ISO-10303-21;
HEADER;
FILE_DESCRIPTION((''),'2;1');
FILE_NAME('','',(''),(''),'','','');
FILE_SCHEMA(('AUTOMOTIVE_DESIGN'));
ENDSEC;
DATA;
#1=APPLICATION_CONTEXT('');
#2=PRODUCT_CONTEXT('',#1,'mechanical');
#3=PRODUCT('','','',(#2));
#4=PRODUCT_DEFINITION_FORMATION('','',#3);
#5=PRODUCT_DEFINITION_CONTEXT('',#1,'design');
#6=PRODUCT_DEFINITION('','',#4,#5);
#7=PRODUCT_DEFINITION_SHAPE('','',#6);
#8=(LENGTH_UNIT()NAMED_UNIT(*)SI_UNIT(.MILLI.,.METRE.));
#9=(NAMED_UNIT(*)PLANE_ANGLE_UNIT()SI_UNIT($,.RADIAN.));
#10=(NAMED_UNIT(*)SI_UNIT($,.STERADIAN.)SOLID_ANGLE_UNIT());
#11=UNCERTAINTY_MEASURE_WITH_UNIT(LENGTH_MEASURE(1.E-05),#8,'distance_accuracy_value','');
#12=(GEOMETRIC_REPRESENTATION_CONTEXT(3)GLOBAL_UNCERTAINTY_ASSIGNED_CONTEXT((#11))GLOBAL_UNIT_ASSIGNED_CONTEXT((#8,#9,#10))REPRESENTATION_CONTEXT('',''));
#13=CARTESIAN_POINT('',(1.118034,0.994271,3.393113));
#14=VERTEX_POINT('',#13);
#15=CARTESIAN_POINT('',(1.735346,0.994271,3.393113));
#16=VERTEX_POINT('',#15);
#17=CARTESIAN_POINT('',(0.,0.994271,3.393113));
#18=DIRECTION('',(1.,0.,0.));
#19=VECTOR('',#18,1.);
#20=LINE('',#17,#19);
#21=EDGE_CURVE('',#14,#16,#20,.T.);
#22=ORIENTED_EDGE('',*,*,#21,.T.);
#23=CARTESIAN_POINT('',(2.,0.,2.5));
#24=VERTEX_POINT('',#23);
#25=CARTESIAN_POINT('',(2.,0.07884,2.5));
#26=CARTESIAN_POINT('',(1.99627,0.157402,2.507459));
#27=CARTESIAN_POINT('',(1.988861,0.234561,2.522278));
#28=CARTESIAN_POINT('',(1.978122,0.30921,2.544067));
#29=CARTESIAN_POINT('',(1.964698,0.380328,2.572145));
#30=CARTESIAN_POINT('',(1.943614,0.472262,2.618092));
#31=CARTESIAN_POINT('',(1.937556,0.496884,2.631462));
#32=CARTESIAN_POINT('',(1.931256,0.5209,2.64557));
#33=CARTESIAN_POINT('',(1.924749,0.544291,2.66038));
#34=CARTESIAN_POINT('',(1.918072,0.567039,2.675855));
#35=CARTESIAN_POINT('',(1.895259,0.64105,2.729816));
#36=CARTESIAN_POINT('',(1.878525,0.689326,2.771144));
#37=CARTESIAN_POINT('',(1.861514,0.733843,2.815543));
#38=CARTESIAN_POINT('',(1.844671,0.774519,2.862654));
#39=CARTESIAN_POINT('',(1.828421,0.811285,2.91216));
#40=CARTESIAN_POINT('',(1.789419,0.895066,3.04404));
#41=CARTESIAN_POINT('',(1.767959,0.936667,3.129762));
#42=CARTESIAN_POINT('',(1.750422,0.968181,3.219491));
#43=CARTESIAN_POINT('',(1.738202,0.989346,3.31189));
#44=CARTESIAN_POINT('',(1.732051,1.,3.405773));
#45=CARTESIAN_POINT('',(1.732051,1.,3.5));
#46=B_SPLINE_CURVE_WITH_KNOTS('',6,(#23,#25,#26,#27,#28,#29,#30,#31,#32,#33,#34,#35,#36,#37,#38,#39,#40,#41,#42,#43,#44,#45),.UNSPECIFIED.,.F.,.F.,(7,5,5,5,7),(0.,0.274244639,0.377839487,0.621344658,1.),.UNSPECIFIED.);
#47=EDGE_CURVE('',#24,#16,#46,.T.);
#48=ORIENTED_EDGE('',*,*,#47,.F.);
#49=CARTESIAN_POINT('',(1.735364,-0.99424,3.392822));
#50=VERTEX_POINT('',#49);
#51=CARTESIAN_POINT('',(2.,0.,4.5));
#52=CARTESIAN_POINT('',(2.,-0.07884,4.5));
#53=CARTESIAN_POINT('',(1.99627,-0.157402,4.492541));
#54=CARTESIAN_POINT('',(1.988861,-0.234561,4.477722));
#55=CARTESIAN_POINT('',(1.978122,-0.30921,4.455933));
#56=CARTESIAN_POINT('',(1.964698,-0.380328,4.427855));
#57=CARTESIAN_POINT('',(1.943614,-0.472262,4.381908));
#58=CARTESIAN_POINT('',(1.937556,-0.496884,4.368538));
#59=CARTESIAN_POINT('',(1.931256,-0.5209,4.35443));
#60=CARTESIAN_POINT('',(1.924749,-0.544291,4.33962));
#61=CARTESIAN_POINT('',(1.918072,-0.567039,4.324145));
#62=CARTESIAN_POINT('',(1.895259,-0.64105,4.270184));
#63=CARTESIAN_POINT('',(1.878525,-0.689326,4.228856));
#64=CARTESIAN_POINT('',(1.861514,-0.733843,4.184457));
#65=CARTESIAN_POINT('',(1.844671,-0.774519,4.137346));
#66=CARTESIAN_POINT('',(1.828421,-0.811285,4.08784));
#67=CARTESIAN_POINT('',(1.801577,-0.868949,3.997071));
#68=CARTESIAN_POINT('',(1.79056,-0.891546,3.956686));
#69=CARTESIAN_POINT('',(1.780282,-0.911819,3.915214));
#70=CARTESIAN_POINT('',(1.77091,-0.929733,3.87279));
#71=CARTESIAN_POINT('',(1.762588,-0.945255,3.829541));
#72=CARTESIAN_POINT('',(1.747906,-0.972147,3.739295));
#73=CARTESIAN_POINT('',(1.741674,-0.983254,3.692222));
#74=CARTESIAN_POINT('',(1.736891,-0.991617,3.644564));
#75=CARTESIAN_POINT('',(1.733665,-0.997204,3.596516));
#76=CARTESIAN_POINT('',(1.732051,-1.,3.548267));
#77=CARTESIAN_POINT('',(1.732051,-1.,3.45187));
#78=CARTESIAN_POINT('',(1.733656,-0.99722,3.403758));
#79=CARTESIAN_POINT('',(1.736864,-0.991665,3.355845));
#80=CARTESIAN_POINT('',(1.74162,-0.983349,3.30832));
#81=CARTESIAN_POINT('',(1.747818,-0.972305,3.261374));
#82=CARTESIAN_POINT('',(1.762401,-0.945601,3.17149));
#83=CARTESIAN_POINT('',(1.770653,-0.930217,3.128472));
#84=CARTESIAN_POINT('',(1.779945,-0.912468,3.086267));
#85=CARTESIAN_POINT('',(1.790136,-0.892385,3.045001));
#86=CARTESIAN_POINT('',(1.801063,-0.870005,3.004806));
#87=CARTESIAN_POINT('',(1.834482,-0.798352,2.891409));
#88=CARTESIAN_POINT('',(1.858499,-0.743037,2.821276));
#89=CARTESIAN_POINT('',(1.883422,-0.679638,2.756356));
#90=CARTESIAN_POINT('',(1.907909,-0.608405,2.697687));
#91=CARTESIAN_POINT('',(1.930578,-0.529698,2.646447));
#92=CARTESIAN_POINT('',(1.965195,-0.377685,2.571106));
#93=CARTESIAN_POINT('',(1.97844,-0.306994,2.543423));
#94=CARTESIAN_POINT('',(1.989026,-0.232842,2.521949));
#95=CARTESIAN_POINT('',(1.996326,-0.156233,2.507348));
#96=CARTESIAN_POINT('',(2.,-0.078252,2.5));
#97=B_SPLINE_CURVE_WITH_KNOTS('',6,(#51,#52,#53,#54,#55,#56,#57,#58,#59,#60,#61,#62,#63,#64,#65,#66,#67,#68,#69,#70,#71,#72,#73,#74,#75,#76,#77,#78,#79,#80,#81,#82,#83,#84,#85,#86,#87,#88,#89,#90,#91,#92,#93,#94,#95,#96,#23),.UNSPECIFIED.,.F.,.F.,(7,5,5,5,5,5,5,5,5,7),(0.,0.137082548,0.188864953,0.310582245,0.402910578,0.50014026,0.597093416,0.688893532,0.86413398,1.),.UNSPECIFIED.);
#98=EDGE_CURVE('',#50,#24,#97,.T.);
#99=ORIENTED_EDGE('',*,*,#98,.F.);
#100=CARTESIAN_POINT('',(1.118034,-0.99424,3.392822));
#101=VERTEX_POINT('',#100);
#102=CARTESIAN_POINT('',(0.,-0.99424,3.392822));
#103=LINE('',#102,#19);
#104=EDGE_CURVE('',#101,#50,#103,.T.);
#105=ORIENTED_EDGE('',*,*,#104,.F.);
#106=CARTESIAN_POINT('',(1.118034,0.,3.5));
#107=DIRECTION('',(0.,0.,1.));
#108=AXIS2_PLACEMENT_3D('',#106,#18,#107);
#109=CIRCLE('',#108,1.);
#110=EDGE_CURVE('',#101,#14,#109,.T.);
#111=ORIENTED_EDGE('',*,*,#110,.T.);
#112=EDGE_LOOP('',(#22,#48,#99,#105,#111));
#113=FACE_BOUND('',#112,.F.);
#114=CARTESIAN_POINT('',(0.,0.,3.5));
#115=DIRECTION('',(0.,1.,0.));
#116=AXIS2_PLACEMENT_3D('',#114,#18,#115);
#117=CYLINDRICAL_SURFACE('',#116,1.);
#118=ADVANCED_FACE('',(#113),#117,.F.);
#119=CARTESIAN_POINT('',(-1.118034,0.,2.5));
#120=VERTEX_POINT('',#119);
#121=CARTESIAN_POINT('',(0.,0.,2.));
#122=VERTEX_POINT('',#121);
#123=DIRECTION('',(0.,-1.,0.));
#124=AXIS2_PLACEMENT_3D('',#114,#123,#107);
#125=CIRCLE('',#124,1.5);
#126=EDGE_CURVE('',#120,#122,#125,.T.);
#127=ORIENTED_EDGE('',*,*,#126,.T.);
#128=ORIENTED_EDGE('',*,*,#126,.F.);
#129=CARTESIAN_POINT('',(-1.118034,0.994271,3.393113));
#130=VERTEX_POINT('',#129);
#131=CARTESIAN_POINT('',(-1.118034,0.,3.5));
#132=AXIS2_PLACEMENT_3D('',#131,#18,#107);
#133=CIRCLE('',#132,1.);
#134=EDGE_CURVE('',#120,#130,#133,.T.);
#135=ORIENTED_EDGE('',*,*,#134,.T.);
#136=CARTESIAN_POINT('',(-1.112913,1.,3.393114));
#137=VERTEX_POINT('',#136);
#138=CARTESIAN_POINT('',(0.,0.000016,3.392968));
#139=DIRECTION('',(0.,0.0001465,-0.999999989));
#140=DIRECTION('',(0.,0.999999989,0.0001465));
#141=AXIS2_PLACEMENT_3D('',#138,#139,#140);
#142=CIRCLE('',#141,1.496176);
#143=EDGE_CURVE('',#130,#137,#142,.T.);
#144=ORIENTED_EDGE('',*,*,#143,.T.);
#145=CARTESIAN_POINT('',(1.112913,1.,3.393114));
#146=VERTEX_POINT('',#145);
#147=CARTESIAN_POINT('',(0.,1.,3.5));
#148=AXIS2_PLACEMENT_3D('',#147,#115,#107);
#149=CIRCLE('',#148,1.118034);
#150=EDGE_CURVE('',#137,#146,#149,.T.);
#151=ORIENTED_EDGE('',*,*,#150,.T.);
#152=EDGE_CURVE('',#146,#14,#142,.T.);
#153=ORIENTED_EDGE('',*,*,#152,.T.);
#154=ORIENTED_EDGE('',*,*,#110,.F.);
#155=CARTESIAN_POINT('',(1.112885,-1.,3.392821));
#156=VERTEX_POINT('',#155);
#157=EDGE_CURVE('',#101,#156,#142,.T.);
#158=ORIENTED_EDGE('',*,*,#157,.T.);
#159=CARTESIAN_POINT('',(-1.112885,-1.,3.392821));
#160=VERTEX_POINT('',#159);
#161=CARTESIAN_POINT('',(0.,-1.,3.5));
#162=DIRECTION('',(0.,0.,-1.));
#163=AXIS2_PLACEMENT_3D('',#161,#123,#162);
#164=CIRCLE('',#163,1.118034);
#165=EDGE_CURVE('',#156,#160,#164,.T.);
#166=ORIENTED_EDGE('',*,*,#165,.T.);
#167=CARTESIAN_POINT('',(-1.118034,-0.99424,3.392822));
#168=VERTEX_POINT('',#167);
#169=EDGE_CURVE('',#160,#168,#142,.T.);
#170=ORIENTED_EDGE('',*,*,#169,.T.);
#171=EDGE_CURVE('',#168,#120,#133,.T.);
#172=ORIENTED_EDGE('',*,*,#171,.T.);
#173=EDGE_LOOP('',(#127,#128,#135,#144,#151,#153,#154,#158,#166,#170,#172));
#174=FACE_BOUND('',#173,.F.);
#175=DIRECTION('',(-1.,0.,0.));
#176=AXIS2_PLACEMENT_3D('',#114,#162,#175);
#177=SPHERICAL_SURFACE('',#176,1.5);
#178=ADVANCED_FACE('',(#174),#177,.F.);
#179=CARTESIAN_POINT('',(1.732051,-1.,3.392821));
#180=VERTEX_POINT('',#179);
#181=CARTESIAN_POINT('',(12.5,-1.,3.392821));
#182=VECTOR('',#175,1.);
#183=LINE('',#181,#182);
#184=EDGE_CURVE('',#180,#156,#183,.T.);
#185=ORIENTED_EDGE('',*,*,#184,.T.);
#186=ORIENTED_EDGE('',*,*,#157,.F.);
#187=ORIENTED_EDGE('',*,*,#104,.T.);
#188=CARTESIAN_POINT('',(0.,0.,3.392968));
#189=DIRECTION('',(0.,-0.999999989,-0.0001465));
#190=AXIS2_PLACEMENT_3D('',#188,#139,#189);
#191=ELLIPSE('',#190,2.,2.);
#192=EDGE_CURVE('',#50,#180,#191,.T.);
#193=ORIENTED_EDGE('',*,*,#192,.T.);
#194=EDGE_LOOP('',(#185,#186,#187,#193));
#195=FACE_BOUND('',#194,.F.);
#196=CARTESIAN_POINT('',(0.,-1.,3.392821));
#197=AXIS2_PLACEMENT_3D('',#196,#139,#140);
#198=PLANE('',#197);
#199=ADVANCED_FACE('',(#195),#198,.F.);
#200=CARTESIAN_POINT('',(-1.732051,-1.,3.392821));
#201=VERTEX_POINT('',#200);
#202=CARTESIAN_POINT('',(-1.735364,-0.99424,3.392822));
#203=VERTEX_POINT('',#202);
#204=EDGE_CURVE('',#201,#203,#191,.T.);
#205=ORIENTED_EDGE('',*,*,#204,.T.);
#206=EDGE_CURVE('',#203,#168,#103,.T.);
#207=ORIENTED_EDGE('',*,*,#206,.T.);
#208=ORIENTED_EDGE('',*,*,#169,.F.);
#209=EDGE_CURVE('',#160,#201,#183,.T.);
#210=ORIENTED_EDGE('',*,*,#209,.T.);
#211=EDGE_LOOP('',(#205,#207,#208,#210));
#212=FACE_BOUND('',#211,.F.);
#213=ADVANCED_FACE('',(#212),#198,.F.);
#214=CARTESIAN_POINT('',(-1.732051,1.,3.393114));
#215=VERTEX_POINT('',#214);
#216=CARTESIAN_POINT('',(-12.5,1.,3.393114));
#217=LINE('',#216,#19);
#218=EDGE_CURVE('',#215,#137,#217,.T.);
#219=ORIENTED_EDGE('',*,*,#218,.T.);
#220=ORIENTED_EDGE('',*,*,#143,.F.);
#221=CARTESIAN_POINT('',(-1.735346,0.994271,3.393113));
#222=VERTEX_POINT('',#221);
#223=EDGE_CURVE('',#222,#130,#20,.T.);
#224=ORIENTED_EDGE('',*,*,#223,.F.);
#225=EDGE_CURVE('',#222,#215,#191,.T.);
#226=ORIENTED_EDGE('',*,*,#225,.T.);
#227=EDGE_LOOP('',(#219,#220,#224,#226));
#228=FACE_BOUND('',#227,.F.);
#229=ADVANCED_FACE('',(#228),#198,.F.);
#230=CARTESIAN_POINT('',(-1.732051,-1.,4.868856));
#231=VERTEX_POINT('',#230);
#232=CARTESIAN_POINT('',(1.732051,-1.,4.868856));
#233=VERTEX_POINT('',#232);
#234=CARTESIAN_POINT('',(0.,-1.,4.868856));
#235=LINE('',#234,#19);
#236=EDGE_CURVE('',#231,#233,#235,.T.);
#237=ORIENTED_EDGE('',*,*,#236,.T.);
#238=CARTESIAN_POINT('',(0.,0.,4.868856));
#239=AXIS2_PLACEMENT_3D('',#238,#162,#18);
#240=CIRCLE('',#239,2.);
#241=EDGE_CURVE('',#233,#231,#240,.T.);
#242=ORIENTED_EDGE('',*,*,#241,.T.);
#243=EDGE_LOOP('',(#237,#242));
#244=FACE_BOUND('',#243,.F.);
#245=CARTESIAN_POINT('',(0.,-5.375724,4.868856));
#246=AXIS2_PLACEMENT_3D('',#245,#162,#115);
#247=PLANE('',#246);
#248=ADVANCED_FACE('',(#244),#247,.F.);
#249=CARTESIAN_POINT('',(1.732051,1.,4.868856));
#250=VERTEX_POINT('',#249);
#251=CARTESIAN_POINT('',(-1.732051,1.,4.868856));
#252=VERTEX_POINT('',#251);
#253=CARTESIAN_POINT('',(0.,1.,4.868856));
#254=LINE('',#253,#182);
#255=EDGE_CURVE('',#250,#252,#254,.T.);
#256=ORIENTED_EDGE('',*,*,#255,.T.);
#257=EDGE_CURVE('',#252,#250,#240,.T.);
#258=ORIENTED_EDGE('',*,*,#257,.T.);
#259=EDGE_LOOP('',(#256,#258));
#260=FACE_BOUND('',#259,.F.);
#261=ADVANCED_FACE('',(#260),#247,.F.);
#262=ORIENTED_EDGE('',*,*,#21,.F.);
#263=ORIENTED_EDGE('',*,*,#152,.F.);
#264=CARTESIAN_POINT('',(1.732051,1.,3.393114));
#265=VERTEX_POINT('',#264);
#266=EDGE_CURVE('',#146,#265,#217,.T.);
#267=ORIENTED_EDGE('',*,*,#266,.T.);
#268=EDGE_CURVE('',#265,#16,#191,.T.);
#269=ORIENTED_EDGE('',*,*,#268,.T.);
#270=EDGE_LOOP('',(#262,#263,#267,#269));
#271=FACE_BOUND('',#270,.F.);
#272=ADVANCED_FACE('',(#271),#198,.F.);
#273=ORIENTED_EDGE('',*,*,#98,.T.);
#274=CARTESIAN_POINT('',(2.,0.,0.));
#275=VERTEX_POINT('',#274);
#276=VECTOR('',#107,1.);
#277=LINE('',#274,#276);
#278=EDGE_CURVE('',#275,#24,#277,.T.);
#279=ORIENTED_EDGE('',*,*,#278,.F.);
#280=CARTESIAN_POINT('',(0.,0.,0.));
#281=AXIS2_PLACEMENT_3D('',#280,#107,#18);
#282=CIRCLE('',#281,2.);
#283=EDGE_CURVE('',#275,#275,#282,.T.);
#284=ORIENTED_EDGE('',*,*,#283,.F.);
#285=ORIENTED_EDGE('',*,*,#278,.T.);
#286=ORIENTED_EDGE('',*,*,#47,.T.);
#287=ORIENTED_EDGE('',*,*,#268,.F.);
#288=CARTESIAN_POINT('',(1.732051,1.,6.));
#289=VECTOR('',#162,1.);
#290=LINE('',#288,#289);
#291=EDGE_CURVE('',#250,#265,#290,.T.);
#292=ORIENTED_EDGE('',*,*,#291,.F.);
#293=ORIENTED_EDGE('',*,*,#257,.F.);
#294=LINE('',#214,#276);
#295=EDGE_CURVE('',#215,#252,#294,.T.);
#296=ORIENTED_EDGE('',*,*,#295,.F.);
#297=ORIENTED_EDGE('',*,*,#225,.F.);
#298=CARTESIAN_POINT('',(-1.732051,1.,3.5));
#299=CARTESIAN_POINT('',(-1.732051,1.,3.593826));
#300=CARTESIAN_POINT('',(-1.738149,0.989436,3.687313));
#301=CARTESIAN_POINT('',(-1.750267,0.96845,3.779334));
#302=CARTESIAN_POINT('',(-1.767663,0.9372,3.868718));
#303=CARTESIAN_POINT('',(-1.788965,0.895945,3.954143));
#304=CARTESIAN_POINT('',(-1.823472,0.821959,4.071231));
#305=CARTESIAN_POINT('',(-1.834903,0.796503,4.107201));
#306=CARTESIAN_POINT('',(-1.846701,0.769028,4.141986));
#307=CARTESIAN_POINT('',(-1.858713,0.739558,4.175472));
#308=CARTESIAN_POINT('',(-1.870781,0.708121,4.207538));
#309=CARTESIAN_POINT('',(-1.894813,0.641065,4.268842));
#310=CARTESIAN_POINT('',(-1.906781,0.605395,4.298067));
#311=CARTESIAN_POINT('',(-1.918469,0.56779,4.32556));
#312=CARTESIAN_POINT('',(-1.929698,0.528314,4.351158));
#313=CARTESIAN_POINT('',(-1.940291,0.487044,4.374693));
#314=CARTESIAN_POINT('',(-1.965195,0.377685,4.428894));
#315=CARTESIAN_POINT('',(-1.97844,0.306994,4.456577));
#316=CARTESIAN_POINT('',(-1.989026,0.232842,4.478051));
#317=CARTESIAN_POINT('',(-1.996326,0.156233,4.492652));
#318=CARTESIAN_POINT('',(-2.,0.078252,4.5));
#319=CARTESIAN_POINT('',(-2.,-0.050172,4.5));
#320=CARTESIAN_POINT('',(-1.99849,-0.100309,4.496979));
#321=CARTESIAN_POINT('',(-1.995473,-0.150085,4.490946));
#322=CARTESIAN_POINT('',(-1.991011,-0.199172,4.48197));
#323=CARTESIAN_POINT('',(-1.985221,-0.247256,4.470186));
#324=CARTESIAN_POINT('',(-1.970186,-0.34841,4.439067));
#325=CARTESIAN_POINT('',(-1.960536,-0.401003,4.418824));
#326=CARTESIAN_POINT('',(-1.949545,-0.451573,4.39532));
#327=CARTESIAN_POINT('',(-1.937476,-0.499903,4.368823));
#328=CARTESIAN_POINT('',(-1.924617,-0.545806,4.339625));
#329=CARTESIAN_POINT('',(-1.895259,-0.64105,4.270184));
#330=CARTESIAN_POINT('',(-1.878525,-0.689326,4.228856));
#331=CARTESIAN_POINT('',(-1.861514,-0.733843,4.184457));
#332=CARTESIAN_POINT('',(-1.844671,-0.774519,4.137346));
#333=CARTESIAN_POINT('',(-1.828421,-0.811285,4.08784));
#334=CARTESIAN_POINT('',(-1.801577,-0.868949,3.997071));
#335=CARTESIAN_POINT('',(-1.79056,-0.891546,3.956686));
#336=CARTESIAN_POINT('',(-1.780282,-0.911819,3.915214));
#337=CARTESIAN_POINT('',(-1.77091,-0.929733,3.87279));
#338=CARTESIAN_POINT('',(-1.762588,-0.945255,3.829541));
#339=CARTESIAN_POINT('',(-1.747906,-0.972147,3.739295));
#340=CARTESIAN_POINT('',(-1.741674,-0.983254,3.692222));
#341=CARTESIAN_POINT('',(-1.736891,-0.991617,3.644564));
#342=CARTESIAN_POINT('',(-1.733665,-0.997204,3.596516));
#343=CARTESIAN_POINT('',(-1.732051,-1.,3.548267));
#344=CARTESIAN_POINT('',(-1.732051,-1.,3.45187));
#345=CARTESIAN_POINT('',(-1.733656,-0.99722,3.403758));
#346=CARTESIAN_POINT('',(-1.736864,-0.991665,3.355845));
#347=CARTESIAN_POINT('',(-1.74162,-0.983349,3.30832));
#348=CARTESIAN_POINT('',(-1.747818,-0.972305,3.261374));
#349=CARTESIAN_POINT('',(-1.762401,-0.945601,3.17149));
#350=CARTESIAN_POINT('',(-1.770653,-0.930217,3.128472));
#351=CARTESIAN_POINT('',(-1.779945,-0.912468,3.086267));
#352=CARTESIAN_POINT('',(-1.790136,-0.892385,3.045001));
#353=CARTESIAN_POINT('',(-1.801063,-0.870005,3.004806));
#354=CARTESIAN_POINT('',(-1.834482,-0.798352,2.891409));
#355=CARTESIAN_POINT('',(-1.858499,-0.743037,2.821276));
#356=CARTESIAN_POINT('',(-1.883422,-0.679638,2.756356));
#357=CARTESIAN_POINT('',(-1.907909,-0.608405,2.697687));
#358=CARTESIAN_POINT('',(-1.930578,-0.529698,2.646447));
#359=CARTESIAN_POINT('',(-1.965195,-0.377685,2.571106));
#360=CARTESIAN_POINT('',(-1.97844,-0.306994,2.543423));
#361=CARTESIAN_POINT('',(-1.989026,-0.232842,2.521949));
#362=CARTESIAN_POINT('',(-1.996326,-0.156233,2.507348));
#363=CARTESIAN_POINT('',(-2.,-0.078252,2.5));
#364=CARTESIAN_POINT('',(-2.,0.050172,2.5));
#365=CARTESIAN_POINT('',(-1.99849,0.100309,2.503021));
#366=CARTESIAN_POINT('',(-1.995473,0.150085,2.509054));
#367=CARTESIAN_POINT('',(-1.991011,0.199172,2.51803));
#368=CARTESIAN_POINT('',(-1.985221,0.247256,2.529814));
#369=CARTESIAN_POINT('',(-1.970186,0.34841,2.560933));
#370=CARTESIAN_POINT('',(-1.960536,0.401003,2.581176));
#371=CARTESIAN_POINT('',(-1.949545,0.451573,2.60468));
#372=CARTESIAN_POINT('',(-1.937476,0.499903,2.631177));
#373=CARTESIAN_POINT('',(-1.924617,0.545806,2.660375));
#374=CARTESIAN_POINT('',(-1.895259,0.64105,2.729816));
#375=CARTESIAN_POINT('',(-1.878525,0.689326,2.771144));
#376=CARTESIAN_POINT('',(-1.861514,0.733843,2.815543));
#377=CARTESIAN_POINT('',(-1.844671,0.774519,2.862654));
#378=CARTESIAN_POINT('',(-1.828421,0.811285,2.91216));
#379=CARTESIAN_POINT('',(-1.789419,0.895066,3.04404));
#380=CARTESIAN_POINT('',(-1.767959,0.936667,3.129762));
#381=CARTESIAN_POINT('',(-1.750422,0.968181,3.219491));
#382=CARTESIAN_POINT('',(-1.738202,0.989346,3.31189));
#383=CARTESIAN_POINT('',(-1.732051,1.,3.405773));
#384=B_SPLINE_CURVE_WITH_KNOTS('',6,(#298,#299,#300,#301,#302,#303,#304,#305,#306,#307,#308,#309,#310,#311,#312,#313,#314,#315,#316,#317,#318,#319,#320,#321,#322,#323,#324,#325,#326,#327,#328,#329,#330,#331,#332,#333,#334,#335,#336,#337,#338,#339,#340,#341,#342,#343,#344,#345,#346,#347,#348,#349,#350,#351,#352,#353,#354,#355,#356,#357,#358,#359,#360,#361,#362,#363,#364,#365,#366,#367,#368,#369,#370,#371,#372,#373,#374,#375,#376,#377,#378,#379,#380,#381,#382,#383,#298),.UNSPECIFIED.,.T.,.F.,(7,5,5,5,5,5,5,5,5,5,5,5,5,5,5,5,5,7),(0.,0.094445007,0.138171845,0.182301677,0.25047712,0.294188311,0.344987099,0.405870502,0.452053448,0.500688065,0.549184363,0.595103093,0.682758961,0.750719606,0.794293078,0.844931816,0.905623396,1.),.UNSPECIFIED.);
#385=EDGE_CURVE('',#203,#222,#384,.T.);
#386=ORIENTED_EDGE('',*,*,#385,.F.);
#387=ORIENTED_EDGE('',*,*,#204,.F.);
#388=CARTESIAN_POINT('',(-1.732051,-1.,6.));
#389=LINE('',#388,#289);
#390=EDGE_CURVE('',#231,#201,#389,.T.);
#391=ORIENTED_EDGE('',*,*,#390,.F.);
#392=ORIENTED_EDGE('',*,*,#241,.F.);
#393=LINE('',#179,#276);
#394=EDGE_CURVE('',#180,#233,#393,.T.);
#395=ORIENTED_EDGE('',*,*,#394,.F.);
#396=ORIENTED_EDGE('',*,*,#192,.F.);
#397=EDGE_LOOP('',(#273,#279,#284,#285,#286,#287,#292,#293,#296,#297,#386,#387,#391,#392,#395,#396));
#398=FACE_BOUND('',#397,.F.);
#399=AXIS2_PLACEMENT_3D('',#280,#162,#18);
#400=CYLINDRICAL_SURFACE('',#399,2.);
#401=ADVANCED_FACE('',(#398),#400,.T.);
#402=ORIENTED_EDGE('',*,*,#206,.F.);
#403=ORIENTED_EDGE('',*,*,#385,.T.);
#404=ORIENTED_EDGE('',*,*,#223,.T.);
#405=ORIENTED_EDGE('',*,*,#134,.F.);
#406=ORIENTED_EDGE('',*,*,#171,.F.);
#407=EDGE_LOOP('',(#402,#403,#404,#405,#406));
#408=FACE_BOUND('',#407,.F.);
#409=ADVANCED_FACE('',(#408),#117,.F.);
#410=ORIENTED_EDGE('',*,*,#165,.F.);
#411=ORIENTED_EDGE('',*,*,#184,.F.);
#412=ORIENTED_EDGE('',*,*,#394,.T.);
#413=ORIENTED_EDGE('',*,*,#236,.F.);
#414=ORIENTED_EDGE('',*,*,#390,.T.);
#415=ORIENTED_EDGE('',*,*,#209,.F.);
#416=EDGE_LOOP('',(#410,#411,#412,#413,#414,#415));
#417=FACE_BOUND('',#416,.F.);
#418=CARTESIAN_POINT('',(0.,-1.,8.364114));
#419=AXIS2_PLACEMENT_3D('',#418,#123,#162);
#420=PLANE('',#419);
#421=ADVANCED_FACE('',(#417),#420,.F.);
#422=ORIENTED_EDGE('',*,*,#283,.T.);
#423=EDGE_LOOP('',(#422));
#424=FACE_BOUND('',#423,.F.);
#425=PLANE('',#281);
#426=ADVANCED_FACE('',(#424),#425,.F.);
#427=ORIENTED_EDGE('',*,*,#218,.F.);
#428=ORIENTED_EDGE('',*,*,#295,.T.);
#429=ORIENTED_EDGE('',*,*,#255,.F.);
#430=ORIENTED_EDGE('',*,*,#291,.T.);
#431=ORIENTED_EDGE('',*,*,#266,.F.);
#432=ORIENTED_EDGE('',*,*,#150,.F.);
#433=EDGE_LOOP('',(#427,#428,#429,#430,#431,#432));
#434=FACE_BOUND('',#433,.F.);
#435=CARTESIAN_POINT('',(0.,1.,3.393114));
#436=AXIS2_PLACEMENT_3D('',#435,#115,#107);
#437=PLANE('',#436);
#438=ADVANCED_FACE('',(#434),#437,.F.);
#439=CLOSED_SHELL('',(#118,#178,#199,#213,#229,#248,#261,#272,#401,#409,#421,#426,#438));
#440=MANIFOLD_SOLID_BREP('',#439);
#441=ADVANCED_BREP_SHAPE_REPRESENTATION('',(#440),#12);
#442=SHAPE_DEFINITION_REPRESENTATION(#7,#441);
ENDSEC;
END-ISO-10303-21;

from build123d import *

# Parameters (mm, degrees)
F0_R     = 2
F1_DEPTH = 6
F2_R     = 1
F3_DEPTH = 12.5
F5_DEPTH = 12.5
F8_W     = 12.246756
F8_H     = 2.410266
F9_DEPTH = 12.5


with BuildPart() as f1:
    # F0 (on Top) → F1 (new body)
    with BuildSketch(Plane.XY):
        Circle(F0_R)
    extrude(amount=F1_DEPTH)

    # F2 (on Right) → F3 (cut, symmetric)
    with BuildSketch(Plane.YZ):
        with Locations((0, 3.5)):
            Circle(F2_R)
    extrude(amount=F3_DEPTH, both=True, mode=Mode.SUBTRACT)

    # F4 (on Right) → F5 (cut, symmetric)
    with BuildSketch(Plane.YZ):
        Polygon((-1, 3.392821), (1, 3.393114), (1, 8.364114), (-1, 8.364114), align=None)
    extrude(amount=F5_DEPTH, both=True, mode=Mode.SUBTRACT)

    # F6 (on Front) → F7 (revolve, cut)
    with BuildSketch(Plane.XZ):
        with BuildLine():
            Line((0, 2), (0, 5))
            ThreePointArc((0, 5), (-1.5, 3.5), (0, 2))
        make_face()
    revolve(axis=Axis((0, 0, 3.5), (0, 0, -1)), mode=Mode.SUBTRACT)

    # F8 (on Right) → F9 (cut, symmetric)
    with BuildSketch(Plane.YZ):
        with Locations((0.747654, 6.073989)):
            Rectangle(F8_W, F8_H)
    extrude(amount=F9_DEPTH, both=True, mode=Mode.SUBTRACT)


solid = f1.part
